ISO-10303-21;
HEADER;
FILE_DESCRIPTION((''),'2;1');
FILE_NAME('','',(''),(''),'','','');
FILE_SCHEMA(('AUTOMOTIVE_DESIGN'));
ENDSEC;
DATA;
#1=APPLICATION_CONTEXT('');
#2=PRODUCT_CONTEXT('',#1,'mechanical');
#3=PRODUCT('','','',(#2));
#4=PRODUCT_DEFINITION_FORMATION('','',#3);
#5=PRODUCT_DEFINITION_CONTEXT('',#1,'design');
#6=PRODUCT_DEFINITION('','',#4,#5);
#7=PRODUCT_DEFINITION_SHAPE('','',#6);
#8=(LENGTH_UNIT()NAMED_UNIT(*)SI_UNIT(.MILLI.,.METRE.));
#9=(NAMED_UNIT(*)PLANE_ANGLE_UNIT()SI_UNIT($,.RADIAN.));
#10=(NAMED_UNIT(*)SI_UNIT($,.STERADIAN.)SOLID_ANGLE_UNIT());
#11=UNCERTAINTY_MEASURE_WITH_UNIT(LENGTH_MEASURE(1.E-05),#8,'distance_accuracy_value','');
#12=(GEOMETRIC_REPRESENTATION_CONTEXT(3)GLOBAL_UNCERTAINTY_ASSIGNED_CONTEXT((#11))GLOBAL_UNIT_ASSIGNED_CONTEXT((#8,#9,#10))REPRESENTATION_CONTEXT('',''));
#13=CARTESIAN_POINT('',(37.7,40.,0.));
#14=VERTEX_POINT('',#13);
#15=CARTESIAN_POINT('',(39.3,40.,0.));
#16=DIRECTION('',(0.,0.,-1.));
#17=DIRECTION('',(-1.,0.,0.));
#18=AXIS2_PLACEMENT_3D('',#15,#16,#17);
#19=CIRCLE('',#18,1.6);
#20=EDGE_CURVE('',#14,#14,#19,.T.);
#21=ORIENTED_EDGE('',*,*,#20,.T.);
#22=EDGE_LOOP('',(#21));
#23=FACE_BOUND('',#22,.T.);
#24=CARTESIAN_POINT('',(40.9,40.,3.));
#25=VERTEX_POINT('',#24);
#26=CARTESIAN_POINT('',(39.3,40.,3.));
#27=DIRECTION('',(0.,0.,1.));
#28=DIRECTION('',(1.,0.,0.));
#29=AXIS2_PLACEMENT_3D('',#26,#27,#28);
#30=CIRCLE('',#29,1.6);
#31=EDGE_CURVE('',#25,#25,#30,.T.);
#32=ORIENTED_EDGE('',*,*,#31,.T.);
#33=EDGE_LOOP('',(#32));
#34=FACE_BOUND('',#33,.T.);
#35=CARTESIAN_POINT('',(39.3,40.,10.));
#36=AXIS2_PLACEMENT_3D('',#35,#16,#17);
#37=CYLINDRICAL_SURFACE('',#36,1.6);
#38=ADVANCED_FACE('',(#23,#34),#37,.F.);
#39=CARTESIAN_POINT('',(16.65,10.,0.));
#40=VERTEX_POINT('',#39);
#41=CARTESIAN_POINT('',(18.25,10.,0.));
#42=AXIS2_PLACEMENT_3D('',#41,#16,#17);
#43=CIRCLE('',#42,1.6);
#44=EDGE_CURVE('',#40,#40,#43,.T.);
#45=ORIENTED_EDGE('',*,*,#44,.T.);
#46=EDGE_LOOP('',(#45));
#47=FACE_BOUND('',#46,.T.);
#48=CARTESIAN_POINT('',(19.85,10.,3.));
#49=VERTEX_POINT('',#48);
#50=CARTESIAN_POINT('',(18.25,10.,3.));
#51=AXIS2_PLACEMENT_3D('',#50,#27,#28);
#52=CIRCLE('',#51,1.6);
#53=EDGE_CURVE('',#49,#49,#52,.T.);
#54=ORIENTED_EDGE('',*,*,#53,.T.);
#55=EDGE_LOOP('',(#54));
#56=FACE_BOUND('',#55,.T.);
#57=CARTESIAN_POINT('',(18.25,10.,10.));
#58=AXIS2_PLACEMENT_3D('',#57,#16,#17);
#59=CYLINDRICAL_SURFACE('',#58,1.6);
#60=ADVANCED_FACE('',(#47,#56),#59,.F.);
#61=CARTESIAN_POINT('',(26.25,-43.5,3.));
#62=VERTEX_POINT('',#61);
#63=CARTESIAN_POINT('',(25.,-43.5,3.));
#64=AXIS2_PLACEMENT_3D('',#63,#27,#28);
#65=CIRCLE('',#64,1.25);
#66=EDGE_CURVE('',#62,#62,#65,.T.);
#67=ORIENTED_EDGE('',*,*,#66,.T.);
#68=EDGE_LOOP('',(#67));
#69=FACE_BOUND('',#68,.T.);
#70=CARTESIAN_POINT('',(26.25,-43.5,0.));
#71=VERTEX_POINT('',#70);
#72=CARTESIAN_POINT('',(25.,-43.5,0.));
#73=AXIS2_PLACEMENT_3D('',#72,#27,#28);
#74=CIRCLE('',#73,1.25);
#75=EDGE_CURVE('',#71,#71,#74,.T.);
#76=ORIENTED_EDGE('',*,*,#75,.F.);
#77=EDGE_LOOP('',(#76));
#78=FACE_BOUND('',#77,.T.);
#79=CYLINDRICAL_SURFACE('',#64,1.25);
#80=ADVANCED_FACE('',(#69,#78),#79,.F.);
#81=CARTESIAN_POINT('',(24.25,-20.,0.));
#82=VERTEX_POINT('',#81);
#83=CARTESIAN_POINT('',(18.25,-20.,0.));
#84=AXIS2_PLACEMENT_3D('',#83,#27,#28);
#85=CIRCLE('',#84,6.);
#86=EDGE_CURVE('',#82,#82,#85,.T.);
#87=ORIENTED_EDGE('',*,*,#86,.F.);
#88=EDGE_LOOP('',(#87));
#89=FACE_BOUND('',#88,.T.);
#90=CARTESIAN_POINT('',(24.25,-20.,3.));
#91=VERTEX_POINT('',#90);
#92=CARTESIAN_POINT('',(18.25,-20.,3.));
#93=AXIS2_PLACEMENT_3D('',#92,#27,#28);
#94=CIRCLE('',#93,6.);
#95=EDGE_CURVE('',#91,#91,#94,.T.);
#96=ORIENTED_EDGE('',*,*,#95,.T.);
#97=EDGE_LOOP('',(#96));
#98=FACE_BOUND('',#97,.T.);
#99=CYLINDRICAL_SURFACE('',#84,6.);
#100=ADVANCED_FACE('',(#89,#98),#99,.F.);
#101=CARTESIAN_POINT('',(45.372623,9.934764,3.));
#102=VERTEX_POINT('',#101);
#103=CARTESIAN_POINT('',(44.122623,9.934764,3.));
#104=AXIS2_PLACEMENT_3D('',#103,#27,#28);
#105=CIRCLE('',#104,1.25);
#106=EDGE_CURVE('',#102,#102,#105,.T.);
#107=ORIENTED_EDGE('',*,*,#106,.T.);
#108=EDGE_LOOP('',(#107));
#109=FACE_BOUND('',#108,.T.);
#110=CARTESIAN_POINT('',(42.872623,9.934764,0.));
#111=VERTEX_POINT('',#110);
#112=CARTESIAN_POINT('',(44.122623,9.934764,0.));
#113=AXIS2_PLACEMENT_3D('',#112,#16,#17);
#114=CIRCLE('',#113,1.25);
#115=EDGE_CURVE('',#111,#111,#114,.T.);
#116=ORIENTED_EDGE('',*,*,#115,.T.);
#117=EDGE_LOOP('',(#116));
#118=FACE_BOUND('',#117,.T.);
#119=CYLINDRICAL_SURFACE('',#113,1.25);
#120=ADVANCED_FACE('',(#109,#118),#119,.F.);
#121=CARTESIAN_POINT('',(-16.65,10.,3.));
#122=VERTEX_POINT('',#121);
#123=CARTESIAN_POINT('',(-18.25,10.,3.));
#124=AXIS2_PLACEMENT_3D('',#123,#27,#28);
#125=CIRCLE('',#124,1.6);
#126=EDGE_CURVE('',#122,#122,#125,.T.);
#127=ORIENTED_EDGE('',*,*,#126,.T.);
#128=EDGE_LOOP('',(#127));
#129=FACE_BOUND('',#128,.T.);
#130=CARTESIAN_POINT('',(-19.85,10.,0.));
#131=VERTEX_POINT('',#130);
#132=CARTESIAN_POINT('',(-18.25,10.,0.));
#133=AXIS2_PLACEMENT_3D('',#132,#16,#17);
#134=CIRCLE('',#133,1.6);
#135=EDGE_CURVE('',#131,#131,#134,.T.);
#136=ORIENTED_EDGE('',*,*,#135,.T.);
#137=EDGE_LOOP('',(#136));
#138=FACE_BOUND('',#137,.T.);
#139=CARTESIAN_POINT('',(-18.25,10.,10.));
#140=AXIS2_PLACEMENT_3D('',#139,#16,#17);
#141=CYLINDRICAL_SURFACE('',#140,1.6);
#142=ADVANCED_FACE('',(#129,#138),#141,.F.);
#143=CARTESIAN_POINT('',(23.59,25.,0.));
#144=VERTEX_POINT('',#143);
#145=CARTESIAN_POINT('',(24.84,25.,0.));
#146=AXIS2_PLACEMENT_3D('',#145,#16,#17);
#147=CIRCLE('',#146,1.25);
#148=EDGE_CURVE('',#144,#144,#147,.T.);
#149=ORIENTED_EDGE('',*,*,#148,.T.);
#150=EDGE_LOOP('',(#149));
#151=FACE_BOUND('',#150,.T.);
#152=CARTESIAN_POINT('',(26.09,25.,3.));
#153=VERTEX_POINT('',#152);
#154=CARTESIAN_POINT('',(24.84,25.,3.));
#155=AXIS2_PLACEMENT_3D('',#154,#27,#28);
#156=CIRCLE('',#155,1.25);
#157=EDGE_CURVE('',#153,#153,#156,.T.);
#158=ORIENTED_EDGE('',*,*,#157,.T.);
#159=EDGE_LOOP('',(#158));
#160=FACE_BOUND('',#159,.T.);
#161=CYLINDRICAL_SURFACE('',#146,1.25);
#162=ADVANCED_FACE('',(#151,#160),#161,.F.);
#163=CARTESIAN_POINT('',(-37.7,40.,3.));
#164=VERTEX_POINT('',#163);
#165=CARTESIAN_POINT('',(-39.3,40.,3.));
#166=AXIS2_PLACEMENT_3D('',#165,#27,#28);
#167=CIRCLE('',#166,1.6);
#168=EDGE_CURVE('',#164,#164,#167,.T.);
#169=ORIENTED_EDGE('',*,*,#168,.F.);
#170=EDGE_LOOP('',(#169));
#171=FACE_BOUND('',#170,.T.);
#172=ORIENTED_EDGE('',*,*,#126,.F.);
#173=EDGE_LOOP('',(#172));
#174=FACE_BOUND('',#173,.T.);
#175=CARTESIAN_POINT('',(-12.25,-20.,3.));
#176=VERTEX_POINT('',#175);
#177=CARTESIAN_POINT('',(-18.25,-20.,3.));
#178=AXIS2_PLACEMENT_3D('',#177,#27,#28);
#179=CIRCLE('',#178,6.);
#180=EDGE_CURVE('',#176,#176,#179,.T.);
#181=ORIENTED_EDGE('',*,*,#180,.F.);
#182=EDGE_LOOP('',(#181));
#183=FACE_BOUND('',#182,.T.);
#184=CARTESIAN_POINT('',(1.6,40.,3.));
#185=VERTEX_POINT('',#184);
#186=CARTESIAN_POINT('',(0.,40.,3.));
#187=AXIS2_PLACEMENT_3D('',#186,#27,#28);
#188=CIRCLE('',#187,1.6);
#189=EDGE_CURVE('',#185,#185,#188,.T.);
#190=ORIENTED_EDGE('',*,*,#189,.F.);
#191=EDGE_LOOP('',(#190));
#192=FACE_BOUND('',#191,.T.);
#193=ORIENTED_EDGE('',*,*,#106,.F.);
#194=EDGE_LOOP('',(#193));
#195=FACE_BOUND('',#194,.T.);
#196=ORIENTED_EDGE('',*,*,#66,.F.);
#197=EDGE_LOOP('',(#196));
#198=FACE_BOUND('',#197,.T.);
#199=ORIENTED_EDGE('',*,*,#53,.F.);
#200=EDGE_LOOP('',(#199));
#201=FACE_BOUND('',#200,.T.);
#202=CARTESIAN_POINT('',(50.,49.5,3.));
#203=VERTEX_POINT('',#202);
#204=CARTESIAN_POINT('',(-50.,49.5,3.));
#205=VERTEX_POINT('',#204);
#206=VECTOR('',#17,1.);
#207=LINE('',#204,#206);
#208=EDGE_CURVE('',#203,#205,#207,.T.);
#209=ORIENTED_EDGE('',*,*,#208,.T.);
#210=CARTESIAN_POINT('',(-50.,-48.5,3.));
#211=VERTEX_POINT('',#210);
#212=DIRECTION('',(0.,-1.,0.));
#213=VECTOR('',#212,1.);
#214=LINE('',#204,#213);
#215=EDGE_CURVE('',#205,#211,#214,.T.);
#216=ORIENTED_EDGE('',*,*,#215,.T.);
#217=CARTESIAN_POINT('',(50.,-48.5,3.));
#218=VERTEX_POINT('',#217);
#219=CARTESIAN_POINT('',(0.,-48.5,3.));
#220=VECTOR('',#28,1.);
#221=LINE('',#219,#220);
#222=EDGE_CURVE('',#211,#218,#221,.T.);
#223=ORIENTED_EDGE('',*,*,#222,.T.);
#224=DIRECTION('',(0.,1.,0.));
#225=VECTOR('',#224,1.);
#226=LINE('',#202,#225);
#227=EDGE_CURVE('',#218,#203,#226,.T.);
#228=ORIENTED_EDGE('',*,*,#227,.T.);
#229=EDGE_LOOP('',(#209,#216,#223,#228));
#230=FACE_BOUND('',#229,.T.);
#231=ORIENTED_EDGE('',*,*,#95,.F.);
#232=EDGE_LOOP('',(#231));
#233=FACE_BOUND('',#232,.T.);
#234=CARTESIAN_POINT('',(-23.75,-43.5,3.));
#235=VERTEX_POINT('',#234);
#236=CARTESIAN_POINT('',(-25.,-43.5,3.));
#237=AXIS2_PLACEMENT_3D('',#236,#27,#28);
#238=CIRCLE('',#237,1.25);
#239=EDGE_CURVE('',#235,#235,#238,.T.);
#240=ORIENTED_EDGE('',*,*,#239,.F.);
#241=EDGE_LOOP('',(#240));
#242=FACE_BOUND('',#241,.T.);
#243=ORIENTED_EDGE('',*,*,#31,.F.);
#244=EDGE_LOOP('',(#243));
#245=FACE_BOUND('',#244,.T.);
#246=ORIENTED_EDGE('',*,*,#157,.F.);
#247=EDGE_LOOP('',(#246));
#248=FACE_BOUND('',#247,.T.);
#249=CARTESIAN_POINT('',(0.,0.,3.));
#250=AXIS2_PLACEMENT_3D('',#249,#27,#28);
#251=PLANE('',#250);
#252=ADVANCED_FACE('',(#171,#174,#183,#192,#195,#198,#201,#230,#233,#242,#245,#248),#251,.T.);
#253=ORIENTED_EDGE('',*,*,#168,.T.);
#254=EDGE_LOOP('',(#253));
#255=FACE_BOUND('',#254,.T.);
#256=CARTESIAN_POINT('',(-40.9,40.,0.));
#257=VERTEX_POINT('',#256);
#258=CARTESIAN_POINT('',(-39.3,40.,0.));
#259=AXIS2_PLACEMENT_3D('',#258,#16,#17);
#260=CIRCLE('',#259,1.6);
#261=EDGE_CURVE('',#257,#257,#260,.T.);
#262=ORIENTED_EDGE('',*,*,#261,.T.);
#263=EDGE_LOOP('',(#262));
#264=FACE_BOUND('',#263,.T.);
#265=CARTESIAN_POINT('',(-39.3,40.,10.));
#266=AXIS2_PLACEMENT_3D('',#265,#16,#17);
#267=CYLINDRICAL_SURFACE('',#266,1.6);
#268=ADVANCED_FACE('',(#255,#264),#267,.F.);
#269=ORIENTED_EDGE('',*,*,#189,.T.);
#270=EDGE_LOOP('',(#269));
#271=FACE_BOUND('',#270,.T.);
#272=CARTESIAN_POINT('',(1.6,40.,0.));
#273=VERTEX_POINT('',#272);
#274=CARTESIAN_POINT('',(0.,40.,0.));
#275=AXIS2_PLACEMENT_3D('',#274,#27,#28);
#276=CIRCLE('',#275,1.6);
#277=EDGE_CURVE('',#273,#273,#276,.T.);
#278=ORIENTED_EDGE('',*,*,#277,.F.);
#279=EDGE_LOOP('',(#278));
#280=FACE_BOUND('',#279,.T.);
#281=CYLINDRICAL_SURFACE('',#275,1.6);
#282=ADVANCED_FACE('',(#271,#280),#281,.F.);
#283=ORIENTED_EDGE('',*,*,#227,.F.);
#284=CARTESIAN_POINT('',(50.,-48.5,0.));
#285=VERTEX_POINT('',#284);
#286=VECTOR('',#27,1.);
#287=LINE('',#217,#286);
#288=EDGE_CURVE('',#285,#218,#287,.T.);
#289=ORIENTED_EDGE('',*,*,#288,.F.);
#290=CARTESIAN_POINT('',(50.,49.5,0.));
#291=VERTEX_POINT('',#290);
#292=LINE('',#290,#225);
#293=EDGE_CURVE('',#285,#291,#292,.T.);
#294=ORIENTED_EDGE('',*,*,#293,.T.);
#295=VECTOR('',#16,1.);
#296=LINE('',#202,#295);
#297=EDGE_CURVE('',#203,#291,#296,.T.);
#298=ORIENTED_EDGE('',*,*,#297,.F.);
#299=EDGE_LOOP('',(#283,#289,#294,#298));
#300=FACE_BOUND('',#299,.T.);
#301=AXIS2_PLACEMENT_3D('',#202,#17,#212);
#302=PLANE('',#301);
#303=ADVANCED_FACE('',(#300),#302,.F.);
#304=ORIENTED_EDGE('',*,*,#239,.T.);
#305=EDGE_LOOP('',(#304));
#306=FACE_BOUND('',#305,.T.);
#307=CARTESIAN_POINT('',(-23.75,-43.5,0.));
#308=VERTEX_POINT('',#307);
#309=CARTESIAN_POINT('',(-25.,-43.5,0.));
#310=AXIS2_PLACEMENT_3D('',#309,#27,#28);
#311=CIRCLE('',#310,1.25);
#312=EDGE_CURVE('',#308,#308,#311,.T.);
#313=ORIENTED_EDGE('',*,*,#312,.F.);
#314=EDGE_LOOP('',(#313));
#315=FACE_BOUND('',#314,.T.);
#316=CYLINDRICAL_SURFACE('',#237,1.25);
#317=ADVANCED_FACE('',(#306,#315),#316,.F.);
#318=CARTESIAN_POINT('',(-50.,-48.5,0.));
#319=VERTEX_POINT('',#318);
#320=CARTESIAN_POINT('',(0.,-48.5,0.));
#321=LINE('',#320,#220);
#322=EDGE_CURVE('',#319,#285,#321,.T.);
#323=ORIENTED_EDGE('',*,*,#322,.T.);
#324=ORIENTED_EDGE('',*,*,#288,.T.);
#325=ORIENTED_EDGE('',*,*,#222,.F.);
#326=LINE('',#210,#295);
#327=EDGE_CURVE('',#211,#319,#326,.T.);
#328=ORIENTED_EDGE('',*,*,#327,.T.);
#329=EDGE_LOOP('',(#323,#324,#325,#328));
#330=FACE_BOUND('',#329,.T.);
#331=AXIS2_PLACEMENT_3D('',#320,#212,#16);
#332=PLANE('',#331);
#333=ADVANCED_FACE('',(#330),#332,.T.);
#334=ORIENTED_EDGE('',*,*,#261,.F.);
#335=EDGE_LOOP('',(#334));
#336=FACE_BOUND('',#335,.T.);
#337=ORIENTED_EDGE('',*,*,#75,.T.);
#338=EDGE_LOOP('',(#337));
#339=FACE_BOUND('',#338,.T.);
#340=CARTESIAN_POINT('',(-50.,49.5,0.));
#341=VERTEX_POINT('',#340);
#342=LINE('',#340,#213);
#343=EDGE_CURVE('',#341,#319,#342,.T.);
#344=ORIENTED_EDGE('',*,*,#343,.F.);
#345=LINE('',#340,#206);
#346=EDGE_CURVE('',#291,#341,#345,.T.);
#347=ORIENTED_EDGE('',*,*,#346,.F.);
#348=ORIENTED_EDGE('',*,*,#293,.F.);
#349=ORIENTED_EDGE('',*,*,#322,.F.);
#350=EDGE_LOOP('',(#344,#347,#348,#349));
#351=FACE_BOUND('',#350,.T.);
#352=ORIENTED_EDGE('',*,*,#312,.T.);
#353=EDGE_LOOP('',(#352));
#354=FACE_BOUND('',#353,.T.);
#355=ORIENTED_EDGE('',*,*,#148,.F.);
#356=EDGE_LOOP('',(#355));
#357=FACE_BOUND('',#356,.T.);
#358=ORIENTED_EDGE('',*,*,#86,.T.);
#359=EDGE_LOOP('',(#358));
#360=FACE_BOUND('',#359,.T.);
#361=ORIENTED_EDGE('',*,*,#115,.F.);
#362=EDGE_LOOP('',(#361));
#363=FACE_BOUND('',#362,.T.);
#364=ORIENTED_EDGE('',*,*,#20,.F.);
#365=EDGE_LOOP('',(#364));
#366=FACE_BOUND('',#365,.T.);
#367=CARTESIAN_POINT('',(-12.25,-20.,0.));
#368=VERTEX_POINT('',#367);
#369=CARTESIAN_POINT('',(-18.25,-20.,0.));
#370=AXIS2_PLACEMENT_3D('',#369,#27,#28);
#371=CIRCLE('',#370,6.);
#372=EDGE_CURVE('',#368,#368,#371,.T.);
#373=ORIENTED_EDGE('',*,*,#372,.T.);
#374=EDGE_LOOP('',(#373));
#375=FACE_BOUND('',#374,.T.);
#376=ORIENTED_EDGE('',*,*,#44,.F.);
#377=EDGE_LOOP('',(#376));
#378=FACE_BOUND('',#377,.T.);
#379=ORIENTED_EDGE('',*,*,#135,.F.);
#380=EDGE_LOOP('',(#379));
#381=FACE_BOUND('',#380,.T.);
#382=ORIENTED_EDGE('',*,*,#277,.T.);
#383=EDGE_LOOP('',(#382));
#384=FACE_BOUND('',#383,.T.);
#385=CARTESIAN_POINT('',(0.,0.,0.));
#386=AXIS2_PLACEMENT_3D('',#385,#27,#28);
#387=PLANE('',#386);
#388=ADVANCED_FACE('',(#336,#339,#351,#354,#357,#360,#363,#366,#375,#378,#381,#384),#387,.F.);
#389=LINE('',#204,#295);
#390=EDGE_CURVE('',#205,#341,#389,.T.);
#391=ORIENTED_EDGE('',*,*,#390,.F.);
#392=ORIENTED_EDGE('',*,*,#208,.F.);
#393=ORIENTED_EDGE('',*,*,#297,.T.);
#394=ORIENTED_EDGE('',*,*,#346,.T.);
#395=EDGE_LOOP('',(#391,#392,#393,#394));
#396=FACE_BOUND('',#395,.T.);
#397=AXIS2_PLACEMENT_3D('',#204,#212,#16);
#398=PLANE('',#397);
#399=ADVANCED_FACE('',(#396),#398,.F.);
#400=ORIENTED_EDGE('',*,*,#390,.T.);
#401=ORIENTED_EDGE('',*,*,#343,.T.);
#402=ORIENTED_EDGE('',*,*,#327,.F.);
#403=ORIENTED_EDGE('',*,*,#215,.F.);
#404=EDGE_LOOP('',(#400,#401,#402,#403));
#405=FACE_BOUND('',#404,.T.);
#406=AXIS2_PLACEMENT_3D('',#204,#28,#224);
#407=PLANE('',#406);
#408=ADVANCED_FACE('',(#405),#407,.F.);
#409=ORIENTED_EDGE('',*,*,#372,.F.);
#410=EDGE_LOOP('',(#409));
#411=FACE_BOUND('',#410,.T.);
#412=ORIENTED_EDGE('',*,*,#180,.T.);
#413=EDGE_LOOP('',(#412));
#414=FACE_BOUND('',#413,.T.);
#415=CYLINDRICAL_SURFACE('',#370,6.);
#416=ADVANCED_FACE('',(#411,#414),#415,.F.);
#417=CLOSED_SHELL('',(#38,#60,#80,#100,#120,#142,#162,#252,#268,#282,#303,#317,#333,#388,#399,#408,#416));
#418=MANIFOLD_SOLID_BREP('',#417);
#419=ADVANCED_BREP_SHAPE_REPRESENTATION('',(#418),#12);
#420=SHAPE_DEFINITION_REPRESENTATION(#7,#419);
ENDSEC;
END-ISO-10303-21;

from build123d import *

# Parameters (mm, degrees)
SKETCH_1_W          = 100
SKETCH_1_H          = 99
EXTRUDE_1_DEPTH     = 3
SKETCH_2_R          = 6
SKETCH_2_R_2        = 1.6
CUT_EXTRUDE_1_DEPTH = 3
SKETCH_4_W          = 131.961579061
SKETCH_4_H          = 16.810392237
CUT_EXTRUDE_2_DEPTH = 1
M3X0_5_4_D          = 2.5
M3X0_5_4_DEPTH      = 8.5
M3X0_5_4_TIP        = 0.751075774
M3X0_5_5_D          = 2.5
M3X0_5_5_DEPTH      = 8.5
M3X0_5_5_TIP        = 0.751075774
SKETCH_11_R         = 1.6
CUT_EXTRUDE_3_DEPTH = 10
SKETCH_12_R         = 1.6
CUT_EXTRUDE_4_DEPTH = 10


with BuildPart() as part:
    # ｽｹｯﾁ1 → ﾎﾞｽ - 押し出し1 (new body)
    with BuildSketch(Plane.XY):
        Rectangle(SKETCH_1_W, SKETCH_1_H)
    extrude(amount=EXTRUDE_1_DEPTH)

    # ｽｹｯﾁ2 → ｶｯﾄ - 押し出し1 (cut)
    with BuildSketch(Plane.XY.offset(3)):
        with Locations((-18.25, -20)):
            Circle(SKETCH_2_R)
        with Locations((18.25, -20)):
            Circle(SKETCH_2_R)
        with Locations((0, 40)):
            Circle(SKETCH_2_R_2)
    extrude(amount=-CUT_EXTRUDE_1_DEPTH, mode=Mode.SUBTRACT)

    # ｽｹｯﾁ4 → ｶｯﾄ - 押し出し2 (cut)
    with BuildSketch(Plane(origin=(0, -49.5, 0), x_dir=(-1, 0, 0), z_dir=(0, -1, 0))):
        with Locations((0.945584564, -1.132272669)):
            Rectangle(SKETCH_4_W, SKETCH_4_H)
    extrude(amount=-CUT_EXTRUDE_2_DEPTH, mode=Mode.SUBTRACT)

    # M3x0.5 ねじ穴4
    with Locations(Plane(origin=(25, -43.5, 3), x_dir=(1, 0, 0), z_dir=(0, 0, 1))):
        with Locations((0, 0), (-50, 0)):
            Hole(M3X0_5_4_D / 2, depth=M3X0_5_4_DEPTH)
            with Locations((0, 0, -(M3X0_5_4_DEPTH + M3X0_5_4_TIP / 2))):  # 118° drill point
                Cone(0, M3X0_5_4_D / 2, M3X0_5_4_TIP, mode=Mode.SUBTRACT)

    # M3x0.5 ねじ穴5
    with Locations(Plane(origin=(44.122623141, 9.934763699, 0), x_dir=(-1, 0, 0), z_dir=(0, 0, -1))):
        with Locations((0, 0), (19.282623141, 15.065236301)):
            Hole(M3X0_5_5_D / 2, depth=M3X0_5_5_DEPTH)
            with Locations((0, 0, -(M3X0_5_5_DEPTH + M3X0_5_5_TIP / 2))):  # 118° drill point
                Cone(0, M3X0_5_5_D / 2, M3X0_5_5_TIP, mode=Mode.SUBTRACT)

    # ｽｹｯﾁ11 → ｶｯﾄ - 押し出し3 (cut)
    with BuildSketch(Plane(origin=(0, 0, 0), x_dir=(-1, 0, 0), z_dir=(0, 0, -1))):
        with Locations((18.25, 10)):
            Circle(SKETCH_11_R)
        with Locations((-18.25, 10)):
            Circle(SKETCH_11_R)
    extrude(amount=-CUT_EXTRUDE_3_DEPTH, mode=Mode.SUBTRACT)

    # ｽｹｯﾁ12 → ｶｯﾄ - 押し出し4 (cut)
    with BuildSketch(Plane(origin=(0, 0, 0), x_dir=(-1, 0, 0), z_dir=(0, 0, -1))):
        with Locations((-39.3, 40)):
            Circle(SKETCH_12_R)
        with Locations((39.3, 40)):
            Circle(SKETCH_12_R)
    extrude(amount=-CUT_EXTRUDE_4_DEPTH, mode=Mode.SUBTRACT)


solid = part.part
